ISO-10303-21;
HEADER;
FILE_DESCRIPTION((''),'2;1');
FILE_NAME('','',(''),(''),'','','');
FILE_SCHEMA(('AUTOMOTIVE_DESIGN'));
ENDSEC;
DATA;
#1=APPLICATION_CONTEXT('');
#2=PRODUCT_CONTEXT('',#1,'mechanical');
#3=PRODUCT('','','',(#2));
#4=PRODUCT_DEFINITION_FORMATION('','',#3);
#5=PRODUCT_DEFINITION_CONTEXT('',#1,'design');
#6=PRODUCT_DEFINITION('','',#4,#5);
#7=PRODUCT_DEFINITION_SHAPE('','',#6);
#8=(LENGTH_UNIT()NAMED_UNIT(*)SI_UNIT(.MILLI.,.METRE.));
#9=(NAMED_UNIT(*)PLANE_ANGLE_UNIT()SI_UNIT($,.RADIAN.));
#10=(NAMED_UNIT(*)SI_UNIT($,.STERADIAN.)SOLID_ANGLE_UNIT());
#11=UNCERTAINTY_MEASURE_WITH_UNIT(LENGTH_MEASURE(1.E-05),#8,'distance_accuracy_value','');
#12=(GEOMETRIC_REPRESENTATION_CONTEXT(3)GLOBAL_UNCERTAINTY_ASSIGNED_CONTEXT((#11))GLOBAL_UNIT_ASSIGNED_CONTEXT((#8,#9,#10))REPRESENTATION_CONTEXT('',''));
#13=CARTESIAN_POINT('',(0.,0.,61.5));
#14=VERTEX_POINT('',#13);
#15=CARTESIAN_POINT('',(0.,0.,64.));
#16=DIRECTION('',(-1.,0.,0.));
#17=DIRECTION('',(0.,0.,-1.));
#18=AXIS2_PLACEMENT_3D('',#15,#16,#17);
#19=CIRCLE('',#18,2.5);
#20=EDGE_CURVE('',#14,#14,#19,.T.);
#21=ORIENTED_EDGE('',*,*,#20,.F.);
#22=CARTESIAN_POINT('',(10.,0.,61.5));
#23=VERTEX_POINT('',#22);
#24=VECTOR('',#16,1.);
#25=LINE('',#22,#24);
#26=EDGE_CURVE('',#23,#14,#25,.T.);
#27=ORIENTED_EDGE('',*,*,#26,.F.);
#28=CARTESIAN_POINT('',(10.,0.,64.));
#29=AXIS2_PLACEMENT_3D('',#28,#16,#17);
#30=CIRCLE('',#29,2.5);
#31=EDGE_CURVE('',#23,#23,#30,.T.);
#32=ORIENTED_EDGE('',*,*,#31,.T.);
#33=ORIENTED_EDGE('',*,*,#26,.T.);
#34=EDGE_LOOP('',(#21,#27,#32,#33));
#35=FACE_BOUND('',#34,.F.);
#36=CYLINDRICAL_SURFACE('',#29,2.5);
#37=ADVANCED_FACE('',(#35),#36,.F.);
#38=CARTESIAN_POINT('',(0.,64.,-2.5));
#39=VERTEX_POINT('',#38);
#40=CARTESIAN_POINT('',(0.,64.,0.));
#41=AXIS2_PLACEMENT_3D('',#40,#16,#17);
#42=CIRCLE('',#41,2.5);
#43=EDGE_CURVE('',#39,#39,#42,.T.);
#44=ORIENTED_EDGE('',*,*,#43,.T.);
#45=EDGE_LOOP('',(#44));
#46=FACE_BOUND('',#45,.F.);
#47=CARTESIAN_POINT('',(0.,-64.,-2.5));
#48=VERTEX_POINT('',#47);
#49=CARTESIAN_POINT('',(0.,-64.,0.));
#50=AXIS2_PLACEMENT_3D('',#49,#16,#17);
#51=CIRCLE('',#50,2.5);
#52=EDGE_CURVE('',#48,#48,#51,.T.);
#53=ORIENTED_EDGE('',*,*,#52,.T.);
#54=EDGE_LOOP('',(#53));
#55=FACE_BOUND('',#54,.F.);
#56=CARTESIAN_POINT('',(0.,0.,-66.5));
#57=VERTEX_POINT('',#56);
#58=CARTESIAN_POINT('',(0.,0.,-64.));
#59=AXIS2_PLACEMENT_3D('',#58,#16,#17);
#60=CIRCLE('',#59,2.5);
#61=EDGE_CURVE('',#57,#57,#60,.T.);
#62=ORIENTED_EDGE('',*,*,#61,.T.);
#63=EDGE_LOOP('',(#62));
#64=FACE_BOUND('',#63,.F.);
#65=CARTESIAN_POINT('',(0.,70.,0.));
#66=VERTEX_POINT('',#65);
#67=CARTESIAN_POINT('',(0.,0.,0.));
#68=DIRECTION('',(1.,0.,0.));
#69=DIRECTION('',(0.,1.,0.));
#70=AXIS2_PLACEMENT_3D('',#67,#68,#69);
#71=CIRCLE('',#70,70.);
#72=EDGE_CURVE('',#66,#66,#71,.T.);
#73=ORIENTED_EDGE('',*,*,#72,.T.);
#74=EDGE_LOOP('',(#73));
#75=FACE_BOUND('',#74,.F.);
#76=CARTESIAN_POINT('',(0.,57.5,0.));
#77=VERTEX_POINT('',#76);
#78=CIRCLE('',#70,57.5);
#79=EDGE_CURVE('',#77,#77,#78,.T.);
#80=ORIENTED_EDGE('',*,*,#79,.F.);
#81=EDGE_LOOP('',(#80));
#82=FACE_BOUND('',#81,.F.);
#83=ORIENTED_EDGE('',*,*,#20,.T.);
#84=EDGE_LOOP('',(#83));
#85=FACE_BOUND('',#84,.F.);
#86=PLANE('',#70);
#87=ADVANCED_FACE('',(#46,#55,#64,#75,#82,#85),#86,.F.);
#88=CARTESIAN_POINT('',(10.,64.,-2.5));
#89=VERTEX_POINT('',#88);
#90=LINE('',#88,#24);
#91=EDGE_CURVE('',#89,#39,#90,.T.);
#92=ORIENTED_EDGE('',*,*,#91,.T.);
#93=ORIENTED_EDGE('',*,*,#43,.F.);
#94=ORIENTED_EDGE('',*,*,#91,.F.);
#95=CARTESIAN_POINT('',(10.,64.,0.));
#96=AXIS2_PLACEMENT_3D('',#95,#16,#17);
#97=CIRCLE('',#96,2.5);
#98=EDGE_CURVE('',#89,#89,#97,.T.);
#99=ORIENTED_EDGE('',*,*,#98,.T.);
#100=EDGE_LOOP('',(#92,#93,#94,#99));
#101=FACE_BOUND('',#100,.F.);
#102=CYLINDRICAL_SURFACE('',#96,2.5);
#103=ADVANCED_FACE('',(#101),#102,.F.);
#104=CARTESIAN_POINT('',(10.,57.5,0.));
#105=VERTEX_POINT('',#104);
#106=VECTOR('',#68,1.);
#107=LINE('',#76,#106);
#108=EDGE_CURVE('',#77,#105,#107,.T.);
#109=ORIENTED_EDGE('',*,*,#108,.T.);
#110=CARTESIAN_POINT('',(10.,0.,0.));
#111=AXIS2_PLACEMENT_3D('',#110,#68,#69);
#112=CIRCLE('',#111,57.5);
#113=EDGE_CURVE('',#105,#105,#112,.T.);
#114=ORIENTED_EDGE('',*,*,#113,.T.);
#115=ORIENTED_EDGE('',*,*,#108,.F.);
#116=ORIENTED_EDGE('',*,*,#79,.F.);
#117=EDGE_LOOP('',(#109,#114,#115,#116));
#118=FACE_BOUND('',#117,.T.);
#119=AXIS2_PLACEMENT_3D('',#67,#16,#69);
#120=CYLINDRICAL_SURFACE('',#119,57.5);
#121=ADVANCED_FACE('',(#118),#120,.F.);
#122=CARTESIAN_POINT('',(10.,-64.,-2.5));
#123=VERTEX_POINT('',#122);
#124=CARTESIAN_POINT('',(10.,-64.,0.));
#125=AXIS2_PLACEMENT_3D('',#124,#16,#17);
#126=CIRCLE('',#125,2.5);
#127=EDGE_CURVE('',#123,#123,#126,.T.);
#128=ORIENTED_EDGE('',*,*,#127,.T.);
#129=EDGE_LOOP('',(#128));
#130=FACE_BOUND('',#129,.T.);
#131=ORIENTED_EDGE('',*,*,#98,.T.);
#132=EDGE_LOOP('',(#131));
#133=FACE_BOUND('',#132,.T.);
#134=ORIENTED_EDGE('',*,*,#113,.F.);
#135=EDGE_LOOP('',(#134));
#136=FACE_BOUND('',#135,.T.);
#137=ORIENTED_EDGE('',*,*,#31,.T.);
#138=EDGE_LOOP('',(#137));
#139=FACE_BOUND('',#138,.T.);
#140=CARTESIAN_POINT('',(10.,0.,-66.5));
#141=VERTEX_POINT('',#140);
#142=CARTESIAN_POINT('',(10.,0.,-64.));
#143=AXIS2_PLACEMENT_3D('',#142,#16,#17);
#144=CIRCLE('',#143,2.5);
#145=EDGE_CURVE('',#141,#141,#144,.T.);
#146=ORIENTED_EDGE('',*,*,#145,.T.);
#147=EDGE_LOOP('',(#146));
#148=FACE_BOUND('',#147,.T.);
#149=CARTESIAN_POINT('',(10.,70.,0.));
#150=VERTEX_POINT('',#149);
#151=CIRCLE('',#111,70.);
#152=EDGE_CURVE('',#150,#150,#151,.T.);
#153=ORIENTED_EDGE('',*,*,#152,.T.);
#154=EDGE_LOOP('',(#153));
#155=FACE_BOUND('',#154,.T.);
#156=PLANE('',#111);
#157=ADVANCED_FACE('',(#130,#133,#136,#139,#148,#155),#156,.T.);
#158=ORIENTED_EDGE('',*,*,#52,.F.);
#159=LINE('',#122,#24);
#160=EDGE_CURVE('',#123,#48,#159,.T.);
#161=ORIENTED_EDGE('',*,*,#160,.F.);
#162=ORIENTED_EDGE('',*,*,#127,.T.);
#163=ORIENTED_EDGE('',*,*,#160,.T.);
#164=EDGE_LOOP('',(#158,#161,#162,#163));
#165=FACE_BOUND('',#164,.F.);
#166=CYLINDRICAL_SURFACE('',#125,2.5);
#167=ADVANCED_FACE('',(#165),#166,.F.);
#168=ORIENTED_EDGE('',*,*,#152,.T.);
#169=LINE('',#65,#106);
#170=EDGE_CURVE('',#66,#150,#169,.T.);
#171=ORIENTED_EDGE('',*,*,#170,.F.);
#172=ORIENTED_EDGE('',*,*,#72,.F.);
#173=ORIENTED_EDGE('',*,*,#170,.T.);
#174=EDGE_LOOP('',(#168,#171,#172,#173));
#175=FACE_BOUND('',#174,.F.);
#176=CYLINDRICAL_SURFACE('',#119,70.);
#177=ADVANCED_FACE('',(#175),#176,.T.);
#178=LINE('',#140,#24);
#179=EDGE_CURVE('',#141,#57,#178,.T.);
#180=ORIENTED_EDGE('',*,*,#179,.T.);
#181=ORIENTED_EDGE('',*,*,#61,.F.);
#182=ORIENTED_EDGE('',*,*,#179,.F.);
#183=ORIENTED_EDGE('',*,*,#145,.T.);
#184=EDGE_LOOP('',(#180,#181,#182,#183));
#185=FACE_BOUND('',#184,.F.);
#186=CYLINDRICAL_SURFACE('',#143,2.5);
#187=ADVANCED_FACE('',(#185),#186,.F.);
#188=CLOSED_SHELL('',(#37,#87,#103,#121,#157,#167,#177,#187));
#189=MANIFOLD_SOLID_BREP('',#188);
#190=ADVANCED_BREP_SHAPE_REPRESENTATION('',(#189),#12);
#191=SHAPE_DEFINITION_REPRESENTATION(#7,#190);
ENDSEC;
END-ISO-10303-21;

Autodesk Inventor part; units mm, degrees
ref_plane "YZ Plane" through (0, 0, 0) normal (1, 0, 0) x (0, 1, 0)
ref_plane "XZ Plane" through (0, 0, 0) normal (0, 1, 0) x (-1, 0, 0)
ref_plane "XY Plane" through (0, 0, 0) normal (0, 0, 1) x (1, 0, 0)
sketch "スケッチ1" plane through (0, 0, 0) normal (1, 0, 0) x (0, 1, 0)
  circle A0 centre (0, 0) radius 57.5
  circle A1 centre (0, 0) radius 70
  dimension "d0" = 115
  dimension "d1" = 140
extrude "押し出し1" add sketch "スケッチ1" along normal blind 10
sketch "スケッチ2" plane through (10, 0, 0) normal (1, 0, 0) x (0, 0, -1)
  point P0 (0, 0)
  point P1 (0, 64)
  point P2 (-64, 0)
  point P3 (0, -64)
  point P4 (64, 0)
  dimension "d4" = 64
  dimension "d7" = 360
hole "穴1" at (10, 64, 0) at (10, 0, 64) at (10, -64, 0) at (10, 0, -64) direction (-1, 0, 0) diameter 5 end through all
properties part number "bear_89_140_out" material "ステンレス鋼"
